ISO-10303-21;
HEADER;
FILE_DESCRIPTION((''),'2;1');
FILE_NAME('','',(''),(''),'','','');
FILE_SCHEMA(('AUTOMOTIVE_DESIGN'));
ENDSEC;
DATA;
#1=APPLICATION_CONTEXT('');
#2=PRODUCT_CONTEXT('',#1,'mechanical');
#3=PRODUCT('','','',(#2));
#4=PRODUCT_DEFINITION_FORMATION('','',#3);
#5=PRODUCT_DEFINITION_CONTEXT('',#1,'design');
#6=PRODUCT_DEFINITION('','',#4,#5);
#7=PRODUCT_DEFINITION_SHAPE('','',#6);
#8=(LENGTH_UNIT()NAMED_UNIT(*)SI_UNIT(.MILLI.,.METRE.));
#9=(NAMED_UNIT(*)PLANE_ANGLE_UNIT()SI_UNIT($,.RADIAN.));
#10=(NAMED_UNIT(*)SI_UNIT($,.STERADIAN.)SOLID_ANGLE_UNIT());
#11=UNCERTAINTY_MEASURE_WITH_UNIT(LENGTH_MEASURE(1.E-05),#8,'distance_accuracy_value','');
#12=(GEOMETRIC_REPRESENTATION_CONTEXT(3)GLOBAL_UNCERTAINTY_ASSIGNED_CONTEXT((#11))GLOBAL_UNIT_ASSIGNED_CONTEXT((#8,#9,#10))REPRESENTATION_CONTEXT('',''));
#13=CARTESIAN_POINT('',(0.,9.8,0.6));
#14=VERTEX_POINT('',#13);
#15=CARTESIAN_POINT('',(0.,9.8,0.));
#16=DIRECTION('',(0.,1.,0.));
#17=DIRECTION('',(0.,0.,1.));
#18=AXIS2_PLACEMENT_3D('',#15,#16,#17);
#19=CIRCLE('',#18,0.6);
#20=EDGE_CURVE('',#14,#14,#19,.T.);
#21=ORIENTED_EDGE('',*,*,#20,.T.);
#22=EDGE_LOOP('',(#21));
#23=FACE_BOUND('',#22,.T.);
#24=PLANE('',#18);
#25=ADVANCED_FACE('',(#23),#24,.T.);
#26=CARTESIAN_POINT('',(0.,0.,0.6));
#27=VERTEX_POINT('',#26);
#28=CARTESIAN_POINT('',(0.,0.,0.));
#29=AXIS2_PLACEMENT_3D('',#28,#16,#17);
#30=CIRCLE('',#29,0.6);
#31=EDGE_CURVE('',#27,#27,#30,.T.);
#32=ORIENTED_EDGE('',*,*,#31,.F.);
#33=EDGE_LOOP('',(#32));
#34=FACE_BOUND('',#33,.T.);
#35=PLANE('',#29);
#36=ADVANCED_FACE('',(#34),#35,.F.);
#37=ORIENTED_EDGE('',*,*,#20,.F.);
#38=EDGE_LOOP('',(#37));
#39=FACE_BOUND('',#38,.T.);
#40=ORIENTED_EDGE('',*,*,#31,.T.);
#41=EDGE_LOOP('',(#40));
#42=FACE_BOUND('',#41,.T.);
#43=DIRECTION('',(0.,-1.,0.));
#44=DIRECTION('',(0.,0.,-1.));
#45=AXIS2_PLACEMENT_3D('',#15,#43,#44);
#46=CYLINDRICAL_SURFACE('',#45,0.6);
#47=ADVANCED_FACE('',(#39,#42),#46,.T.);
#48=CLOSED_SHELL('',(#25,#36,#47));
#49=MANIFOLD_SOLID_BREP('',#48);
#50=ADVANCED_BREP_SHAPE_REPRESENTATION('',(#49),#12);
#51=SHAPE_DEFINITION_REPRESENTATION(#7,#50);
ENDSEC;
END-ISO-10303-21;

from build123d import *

# Parameters (mm, degrees)
SKETCH_1_R      = 0.6
EXTRUDE_1_DEPTH = 9.8


with BuildPart() as part:
    # 草图1 → 凸台-拉伸1 (new body)
    with BuildSketch(Plane(origin=(0, 0, 0), x_dir=(1, 0, 0), z_dir=(0, 1, 0))):
        with Locations(Location((0, 0, 0), (0, 0, 270))):
            Circle(SKETCH_1_R)
    extrude(amount=EXTRUDE_1_DEPTH)


solid = part.part
